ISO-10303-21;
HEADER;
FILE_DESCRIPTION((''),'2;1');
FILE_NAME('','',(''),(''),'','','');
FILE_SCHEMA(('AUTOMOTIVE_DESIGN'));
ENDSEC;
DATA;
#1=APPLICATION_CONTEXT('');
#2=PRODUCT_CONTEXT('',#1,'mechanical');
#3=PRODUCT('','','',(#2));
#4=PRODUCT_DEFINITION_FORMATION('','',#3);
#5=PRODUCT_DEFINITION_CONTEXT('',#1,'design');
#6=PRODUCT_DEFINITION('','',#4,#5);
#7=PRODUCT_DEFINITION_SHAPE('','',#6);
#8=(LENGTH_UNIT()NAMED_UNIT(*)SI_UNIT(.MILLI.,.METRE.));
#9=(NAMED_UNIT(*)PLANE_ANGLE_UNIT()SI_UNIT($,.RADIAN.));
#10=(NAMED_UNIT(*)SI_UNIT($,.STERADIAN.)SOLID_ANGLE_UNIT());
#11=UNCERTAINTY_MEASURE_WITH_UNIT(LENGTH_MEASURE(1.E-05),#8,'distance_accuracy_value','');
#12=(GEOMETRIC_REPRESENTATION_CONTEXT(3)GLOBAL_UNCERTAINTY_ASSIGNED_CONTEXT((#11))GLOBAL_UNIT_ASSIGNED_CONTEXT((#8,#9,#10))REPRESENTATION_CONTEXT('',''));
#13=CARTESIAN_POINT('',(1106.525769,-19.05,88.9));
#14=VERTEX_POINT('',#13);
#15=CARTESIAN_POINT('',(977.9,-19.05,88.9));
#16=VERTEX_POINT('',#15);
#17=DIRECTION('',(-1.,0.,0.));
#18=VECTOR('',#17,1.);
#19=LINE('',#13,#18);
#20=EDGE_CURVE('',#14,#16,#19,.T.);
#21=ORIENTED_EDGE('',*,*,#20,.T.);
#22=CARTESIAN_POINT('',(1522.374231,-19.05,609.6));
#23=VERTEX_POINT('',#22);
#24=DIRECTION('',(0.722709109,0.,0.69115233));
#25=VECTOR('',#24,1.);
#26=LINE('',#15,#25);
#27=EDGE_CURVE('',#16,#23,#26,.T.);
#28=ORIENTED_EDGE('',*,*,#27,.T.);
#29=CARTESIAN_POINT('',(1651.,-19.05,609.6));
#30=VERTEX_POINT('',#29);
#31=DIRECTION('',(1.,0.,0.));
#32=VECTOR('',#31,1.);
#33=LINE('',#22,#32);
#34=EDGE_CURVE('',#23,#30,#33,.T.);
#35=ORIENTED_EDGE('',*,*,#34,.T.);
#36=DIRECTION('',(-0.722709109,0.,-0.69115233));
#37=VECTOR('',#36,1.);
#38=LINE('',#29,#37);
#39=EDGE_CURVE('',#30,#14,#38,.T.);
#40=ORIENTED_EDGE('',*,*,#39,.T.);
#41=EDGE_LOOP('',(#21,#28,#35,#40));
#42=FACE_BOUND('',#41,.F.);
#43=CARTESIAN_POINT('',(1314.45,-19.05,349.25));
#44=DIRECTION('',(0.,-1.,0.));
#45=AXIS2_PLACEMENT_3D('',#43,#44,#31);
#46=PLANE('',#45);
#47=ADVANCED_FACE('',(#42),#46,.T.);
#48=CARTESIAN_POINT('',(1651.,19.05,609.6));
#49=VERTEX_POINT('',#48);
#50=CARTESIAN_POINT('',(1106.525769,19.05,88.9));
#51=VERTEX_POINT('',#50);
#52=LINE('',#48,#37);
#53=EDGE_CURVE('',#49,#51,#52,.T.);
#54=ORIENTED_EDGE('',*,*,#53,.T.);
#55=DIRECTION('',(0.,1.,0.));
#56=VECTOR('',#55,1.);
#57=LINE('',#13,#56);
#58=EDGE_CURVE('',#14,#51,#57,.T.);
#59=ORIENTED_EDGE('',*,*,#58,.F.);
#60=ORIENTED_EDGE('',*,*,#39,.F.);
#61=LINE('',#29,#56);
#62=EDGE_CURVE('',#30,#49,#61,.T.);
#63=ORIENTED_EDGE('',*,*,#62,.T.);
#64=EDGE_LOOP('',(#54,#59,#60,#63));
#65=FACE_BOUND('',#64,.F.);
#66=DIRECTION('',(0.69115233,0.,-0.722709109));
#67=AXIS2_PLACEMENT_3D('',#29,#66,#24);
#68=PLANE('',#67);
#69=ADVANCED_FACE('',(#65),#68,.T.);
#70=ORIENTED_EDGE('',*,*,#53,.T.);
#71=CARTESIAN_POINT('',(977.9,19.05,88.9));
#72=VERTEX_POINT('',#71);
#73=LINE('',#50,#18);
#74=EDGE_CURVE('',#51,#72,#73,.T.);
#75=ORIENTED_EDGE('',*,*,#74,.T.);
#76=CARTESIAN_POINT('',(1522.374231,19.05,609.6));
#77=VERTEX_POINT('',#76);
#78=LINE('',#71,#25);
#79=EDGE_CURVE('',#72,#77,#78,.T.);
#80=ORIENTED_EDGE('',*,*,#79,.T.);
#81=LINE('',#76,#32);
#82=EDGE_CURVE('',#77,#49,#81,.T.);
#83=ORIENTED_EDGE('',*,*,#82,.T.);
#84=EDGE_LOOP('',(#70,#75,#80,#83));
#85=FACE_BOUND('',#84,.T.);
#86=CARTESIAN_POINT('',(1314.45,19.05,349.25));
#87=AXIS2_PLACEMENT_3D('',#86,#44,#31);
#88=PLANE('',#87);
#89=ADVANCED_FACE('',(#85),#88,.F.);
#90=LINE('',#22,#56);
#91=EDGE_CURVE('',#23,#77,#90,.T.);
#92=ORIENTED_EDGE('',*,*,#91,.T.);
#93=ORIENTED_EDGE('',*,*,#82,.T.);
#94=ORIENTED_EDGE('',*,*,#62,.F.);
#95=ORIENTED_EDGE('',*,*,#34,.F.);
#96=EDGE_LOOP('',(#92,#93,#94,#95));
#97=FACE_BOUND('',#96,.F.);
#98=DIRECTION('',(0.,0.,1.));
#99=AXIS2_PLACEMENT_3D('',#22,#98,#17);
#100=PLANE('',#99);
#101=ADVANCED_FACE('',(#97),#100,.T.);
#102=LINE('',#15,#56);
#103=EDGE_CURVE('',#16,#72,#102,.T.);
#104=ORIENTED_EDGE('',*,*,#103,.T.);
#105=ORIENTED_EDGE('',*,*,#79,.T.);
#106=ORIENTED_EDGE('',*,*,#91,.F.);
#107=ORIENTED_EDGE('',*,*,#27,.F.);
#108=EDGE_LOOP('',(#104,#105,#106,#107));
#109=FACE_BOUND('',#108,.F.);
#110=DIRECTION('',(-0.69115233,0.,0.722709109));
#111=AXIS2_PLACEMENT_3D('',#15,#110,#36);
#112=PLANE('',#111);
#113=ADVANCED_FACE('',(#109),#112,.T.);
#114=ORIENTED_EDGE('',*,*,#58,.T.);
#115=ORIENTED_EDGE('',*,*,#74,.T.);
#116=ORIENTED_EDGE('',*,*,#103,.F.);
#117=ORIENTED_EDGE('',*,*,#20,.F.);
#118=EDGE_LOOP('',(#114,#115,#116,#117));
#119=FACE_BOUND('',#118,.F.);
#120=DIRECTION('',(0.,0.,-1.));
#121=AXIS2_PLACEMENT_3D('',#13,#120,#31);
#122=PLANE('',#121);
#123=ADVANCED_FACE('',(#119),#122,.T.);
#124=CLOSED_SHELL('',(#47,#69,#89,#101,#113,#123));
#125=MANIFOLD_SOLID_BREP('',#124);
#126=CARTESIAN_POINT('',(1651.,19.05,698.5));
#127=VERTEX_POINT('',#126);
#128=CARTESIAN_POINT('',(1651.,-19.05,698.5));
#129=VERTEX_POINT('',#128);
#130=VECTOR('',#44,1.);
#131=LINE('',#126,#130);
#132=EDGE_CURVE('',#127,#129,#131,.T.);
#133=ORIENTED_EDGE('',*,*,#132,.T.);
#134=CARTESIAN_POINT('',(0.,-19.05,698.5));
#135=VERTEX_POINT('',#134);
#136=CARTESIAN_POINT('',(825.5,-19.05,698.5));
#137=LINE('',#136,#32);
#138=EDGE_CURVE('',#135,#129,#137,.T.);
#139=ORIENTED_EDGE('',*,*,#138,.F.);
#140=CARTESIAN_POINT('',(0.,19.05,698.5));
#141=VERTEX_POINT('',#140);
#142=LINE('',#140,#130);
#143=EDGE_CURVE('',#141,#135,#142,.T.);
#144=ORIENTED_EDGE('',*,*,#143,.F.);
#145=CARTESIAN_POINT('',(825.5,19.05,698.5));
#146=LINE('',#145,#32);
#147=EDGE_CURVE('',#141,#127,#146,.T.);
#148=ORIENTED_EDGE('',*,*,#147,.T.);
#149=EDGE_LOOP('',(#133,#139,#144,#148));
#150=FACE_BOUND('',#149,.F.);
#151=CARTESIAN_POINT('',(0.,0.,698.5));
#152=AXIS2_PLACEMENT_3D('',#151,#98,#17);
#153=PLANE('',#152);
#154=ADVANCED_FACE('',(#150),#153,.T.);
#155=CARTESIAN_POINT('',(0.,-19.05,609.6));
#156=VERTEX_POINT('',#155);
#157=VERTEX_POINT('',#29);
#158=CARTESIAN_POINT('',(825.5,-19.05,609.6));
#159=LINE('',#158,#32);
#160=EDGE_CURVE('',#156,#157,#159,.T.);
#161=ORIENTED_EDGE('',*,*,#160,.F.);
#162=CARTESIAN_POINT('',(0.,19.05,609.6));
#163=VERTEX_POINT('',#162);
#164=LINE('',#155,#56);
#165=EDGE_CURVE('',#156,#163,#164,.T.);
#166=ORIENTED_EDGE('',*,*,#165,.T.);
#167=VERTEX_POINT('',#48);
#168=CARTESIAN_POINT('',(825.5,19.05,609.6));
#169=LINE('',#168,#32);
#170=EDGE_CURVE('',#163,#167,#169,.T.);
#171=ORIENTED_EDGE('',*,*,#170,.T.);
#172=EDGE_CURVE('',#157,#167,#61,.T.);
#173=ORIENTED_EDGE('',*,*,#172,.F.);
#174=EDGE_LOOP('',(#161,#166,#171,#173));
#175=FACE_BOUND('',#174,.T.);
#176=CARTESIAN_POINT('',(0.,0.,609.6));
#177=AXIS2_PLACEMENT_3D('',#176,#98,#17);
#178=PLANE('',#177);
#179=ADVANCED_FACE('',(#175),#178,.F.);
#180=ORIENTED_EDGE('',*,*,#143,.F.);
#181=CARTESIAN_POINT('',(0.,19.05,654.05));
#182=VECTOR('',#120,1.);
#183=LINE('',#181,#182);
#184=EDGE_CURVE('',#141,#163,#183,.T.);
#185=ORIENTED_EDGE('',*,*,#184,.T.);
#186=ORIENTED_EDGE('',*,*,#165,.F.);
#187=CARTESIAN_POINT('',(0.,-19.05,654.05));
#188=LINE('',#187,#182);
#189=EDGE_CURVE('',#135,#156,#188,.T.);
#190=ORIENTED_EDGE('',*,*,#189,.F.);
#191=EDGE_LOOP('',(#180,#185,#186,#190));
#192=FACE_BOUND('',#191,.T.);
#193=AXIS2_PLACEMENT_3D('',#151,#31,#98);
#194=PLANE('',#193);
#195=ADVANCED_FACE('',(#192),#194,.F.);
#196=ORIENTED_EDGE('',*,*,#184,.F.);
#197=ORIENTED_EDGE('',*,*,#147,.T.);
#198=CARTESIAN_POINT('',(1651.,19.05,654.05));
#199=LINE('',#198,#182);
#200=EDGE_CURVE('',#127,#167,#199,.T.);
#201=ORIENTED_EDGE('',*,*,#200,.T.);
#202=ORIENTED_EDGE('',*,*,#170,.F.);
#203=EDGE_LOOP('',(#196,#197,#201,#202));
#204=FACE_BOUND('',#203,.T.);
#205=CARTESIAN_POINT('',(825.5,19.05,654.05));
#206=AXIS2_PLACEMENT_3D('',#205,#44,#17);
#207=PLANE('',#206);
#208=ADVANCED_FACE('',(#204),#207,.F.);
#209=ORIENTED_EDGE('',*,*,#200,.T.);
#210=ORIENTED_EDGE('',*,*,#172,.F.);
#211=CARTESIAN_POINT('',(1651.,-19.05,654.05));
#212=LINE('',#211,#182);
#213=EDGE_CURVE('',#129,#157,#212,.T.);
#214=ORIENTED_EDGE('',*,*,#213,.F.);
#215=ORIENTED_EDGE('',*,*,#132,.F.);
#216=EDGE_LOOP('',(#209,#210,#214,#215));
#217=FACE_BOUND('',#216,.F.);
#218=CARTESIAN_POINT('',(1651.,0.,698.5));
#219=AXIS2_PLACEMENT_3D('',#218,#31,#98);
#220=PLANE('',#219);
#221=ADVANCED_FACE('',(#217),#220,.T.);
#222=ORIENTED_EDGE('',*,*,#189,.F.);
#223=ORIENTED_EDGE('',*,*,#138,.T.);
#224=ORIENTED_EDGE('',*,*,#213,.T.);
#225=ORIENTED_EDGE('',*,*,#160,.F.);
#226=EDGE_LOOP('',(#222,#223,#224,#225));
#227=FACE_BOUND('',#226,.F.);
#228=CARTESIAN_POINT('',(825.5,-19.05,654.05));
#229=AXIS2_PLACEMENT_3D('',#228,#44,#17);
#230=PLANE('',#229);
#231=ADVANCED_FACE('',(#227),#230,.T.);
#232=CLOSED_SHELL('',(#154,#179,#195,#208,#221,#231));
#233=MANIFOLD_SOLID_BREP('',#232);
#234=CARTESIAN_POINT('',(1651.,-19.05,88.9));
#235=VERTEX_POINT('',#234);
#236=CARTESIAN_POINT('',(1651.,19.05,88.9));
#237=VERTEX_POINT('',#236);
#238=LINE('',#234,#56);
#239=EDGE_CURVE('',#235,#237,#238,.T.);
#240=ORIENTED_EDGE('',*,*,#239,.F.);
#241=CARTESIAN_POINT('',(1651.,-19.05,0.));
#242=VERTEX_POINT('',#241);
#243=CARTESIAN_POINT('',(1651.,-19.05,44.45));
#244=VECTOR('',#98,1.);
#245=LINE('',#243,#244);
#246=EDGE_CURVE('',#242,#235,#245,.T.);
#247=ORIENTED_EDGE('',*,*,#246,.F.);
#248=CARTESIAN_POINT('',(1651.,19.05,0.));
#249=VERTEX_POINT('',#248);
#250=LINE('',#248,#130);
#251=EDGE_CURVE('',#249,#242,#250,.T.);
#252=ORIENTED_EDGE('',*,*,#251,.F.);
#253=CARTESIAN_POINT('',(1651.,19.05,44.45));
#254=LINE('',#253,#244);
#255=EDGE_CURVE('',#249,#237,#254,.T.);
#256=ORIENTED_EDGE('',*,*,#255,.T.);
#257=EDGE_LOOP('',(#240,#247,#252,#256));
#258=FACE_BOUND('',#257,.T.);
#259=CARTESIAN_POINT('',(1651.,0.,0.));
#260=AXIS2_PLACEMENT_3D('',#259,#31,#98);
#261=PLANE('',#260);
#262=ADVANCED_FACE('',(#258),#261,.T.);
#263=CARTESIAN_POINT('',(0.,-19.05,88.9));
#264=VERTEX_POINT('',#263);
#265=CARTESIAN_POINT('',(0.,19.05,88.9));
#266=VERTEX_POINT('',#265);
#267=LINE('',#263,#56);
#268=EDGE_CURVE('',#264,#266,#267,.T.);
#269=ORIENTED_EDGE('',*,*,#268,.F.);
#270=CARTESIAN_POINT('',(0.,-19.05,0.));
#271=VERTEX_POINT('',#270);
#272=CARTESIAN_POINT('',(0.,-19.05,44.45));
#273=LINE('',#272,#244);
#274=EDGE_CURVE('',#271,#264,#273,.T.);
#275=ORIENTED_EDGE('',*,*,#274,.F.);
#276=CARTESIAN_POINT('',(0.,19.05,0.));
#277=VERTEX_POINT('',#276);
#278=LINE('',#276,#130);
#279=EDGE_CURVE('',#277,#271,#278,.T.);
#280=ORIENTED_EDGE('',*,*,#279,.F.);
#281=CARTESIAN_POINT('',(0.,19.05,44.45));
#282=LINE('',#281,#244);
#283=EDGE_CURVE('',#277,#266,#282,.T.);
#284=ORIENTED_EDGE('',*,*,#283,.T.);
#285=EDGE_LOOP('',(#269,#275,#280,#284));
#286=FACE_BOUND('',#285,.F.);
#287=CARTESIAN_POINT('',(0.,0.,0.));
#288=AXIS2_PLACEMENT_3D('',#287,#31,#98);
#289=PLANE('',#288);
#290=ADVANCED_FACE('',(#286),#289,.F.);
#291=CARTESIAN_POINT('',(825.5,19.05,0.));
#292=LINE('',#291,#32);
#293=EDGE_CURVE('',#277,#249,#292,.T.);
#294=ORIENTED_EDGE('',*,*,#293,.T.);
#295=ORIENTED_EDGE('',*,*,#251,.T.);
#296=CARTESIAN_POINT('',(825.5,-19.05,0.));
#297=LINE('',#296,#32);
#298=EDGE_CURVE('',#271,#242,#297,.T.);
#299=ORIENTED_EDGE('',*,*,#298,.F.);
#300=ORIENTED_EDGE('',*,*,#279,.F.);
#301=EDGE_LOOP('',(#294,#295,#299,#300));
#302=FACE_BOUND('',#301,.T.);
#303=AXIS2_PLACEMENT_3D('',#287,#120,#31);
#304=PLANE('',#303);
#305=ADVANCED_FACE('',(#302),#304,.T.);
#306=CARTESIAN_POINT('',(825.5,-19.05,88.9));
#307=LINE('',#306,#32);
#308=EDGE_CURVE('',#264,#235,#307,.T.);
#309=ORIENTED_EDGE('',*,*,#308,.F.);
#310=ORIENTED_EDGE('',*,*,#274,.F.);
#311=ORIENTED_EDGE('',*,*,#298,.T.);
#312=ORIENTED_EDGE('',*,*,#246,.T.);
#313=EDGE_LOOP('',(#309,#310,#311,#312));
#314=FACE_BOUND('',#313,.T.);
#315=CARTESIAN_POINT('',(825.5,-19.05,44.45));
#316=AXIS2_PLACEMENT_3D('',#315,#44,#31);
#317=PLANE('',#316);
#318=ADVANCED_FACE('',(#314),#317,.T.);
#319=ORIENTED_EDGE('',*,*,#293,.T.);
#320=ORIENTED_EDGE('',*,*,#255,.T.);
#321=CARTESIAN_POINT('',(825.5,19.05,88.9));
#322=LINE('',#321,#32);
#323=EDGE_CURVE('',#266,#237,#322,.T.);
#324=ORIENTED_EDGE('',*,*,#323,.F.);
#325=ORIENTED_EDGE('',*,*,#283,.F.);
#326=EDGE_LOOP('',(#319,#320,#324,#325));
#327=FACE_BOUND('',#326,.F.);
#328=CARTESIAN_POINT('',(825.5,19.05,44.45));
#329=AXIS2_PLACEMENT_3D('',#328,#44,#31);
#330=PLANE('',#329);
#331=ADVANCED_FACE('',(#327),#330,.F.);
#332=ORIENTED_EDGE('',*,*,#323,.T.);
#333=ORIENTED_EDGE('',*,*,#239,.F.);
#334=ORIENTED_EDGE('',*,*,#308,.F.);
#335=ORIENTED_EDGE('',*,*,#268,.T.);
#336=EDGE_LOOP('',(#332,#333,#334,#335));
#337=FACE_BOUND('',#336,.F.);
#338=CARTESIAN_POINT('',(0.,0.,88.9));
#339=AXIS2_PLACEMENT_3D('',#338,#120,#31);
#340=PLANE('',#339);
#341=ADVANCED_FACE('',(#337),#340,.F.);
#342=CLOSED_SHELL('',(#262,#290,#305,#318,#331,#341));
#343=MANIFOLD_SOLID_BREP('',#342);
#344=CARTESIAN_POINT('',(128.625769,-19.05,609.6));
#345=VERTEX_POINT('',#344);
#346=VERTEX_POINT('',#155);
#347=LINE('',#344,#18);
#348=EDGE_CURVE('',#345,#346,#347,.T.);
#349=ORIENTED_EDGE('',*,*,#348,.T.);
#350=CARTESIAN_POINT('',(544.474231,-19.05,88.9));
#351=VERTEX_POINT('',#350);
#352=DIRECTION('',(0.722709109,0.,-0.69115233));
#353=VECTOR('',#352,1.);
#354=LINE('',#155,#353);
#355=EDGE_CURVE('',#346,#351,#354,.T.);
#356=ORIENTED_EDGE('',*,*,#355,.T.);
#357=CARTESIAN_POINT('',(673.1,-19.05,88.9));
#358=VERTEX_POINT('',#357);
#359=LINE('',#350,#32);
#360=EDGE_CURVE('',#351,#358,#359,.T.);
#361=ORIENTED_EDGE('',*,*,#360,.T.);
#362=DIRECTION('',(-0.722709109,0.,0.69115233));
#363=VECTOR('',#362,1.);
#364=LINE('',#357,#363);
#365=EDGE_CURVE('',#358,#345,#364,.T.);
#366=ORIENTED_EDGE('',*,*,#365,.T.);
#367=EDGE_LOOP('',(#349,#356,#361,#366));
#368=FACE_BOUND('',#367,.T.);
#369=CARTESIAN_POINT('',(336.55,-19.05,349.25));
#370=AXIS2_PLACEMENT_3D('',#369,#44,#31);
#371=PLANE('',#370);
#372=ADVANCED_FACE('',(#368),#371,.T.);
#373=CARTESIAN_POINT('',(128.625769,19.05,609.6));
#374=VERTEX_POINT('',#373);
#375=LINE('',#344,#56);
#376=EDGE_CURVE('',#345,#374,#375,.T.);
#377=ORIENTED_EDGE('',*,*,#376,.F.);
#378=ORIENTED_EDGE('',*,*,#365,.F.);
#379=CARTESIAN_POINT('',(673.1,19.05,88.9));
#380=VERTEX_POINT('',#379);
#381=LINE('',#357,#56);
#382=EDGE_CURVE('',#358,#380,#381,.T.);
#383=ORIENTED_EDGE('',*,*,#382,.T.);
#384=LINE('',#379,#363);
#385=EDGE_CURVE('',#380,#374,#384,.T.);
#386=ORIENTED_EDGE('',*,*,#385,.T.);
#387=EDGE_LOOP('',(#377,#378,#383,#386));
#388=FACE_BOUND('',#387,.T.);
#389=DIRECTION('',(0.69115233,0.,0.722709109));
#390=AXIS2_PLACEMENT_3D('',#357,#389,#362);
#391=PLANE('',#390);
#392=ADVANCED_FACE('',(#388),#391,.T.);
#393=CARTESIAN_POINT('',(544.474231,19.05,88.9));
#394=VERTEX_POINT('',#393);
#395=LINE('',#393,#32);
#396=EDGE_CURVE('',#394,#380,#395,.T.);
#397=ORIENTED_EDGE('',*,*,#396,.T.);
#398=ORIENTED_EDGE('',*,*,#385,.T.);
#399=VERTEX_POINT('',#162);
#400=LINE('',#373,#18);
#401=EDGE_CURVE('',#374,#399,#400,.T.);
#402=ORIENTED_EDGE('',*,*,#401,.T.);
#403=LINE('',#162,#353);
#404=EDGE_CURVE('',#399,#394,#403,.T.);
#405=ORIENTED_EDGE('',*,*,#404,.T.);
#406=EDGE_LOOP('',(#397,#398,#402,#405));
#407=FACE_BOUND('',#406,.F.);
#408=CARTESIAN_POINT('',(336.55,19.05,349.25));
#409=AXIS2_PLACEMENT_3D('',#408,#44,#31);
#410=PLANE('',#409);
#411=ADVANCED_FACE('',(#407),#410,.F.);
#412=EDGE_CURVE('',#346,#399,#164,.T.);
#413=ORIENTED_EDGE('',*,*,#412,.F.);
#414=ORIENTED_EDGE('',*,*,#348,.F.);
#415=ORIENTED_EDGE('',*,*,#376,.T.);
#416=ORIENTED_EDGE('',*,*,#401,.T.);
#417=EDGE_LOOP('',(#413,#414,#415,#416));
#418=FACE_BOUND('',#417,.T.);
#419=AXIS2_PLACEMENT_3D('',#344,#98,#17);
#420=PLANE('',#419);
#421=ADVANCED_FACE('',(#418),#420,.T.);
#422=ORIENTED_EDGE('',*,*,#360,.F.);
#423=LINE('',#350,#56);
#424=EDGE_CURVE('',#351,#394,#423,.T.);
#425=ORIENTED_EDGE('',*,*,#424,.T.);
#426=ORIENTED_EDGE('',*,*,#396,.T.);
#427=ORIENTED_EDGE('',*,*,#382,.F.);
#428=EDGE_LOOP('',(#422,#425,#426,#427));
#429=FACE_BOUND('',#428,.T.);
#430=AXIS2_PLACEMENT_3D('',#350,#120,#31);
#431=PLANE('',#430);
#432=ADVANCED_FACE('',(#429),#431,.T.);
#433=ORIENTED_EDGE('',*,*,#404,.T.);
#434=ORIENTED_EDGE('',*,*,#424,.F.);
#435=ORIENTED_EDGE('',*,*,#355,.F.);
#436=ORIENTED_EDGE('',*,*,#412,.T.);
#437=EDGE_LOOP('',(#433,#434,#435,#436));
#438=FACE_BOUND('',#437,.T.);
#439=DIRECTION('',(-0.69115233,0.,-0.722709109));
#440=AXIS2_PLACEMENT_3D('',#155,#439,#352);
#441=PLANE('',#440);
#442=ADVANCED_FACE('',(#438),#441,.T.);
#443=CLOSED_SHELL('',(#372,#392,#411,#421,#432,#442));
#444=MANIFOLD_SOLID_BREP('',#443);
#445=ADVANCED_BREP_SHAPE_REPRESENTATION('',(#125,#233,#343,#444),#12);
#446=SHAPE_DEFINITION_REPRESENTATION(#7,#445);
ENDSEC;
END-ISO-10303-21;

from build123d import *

# Parameters (mm, degrees)
F0_W     = 1651
F0_H     = 88.9
F1_DEPTH = 19.05
F6_DEPTH = 38.1


with BuildPart() as f1:
    # F0 (on Front) → F1 (new body, symmetric)
    with BuildSketch(Plane.XZ):
        with Locations((825.5, 44.45)):
            Rectangle(F0_W, F0_H)
    extrude(amount=F1_DEPTH, both=True)


with BuildPart() as f3_1:
    # F3: instance of F1
    add(f1.part.mirror(Plane.XY.offset(349.25)))


with BuildPart() as f6:
    # F5 (on face) → F6 (new body)
    with BuildSketch(Plane.XZ.offset(19.05)):
        Polygon((673.1, 88.9), (128.625769, 609.6), (0, 609.6), (544.474231, 88.9), align=None)
    extrude(amount=-F6_DEPTH)


with BuildPart() as f8_1:
    # F8: instance of F6
    add(f6.part.mirror(Plane.YZ.offset(825.5)))


solid = Compound([f1.part, f3_1.part, f6.part, f8_1.part])
